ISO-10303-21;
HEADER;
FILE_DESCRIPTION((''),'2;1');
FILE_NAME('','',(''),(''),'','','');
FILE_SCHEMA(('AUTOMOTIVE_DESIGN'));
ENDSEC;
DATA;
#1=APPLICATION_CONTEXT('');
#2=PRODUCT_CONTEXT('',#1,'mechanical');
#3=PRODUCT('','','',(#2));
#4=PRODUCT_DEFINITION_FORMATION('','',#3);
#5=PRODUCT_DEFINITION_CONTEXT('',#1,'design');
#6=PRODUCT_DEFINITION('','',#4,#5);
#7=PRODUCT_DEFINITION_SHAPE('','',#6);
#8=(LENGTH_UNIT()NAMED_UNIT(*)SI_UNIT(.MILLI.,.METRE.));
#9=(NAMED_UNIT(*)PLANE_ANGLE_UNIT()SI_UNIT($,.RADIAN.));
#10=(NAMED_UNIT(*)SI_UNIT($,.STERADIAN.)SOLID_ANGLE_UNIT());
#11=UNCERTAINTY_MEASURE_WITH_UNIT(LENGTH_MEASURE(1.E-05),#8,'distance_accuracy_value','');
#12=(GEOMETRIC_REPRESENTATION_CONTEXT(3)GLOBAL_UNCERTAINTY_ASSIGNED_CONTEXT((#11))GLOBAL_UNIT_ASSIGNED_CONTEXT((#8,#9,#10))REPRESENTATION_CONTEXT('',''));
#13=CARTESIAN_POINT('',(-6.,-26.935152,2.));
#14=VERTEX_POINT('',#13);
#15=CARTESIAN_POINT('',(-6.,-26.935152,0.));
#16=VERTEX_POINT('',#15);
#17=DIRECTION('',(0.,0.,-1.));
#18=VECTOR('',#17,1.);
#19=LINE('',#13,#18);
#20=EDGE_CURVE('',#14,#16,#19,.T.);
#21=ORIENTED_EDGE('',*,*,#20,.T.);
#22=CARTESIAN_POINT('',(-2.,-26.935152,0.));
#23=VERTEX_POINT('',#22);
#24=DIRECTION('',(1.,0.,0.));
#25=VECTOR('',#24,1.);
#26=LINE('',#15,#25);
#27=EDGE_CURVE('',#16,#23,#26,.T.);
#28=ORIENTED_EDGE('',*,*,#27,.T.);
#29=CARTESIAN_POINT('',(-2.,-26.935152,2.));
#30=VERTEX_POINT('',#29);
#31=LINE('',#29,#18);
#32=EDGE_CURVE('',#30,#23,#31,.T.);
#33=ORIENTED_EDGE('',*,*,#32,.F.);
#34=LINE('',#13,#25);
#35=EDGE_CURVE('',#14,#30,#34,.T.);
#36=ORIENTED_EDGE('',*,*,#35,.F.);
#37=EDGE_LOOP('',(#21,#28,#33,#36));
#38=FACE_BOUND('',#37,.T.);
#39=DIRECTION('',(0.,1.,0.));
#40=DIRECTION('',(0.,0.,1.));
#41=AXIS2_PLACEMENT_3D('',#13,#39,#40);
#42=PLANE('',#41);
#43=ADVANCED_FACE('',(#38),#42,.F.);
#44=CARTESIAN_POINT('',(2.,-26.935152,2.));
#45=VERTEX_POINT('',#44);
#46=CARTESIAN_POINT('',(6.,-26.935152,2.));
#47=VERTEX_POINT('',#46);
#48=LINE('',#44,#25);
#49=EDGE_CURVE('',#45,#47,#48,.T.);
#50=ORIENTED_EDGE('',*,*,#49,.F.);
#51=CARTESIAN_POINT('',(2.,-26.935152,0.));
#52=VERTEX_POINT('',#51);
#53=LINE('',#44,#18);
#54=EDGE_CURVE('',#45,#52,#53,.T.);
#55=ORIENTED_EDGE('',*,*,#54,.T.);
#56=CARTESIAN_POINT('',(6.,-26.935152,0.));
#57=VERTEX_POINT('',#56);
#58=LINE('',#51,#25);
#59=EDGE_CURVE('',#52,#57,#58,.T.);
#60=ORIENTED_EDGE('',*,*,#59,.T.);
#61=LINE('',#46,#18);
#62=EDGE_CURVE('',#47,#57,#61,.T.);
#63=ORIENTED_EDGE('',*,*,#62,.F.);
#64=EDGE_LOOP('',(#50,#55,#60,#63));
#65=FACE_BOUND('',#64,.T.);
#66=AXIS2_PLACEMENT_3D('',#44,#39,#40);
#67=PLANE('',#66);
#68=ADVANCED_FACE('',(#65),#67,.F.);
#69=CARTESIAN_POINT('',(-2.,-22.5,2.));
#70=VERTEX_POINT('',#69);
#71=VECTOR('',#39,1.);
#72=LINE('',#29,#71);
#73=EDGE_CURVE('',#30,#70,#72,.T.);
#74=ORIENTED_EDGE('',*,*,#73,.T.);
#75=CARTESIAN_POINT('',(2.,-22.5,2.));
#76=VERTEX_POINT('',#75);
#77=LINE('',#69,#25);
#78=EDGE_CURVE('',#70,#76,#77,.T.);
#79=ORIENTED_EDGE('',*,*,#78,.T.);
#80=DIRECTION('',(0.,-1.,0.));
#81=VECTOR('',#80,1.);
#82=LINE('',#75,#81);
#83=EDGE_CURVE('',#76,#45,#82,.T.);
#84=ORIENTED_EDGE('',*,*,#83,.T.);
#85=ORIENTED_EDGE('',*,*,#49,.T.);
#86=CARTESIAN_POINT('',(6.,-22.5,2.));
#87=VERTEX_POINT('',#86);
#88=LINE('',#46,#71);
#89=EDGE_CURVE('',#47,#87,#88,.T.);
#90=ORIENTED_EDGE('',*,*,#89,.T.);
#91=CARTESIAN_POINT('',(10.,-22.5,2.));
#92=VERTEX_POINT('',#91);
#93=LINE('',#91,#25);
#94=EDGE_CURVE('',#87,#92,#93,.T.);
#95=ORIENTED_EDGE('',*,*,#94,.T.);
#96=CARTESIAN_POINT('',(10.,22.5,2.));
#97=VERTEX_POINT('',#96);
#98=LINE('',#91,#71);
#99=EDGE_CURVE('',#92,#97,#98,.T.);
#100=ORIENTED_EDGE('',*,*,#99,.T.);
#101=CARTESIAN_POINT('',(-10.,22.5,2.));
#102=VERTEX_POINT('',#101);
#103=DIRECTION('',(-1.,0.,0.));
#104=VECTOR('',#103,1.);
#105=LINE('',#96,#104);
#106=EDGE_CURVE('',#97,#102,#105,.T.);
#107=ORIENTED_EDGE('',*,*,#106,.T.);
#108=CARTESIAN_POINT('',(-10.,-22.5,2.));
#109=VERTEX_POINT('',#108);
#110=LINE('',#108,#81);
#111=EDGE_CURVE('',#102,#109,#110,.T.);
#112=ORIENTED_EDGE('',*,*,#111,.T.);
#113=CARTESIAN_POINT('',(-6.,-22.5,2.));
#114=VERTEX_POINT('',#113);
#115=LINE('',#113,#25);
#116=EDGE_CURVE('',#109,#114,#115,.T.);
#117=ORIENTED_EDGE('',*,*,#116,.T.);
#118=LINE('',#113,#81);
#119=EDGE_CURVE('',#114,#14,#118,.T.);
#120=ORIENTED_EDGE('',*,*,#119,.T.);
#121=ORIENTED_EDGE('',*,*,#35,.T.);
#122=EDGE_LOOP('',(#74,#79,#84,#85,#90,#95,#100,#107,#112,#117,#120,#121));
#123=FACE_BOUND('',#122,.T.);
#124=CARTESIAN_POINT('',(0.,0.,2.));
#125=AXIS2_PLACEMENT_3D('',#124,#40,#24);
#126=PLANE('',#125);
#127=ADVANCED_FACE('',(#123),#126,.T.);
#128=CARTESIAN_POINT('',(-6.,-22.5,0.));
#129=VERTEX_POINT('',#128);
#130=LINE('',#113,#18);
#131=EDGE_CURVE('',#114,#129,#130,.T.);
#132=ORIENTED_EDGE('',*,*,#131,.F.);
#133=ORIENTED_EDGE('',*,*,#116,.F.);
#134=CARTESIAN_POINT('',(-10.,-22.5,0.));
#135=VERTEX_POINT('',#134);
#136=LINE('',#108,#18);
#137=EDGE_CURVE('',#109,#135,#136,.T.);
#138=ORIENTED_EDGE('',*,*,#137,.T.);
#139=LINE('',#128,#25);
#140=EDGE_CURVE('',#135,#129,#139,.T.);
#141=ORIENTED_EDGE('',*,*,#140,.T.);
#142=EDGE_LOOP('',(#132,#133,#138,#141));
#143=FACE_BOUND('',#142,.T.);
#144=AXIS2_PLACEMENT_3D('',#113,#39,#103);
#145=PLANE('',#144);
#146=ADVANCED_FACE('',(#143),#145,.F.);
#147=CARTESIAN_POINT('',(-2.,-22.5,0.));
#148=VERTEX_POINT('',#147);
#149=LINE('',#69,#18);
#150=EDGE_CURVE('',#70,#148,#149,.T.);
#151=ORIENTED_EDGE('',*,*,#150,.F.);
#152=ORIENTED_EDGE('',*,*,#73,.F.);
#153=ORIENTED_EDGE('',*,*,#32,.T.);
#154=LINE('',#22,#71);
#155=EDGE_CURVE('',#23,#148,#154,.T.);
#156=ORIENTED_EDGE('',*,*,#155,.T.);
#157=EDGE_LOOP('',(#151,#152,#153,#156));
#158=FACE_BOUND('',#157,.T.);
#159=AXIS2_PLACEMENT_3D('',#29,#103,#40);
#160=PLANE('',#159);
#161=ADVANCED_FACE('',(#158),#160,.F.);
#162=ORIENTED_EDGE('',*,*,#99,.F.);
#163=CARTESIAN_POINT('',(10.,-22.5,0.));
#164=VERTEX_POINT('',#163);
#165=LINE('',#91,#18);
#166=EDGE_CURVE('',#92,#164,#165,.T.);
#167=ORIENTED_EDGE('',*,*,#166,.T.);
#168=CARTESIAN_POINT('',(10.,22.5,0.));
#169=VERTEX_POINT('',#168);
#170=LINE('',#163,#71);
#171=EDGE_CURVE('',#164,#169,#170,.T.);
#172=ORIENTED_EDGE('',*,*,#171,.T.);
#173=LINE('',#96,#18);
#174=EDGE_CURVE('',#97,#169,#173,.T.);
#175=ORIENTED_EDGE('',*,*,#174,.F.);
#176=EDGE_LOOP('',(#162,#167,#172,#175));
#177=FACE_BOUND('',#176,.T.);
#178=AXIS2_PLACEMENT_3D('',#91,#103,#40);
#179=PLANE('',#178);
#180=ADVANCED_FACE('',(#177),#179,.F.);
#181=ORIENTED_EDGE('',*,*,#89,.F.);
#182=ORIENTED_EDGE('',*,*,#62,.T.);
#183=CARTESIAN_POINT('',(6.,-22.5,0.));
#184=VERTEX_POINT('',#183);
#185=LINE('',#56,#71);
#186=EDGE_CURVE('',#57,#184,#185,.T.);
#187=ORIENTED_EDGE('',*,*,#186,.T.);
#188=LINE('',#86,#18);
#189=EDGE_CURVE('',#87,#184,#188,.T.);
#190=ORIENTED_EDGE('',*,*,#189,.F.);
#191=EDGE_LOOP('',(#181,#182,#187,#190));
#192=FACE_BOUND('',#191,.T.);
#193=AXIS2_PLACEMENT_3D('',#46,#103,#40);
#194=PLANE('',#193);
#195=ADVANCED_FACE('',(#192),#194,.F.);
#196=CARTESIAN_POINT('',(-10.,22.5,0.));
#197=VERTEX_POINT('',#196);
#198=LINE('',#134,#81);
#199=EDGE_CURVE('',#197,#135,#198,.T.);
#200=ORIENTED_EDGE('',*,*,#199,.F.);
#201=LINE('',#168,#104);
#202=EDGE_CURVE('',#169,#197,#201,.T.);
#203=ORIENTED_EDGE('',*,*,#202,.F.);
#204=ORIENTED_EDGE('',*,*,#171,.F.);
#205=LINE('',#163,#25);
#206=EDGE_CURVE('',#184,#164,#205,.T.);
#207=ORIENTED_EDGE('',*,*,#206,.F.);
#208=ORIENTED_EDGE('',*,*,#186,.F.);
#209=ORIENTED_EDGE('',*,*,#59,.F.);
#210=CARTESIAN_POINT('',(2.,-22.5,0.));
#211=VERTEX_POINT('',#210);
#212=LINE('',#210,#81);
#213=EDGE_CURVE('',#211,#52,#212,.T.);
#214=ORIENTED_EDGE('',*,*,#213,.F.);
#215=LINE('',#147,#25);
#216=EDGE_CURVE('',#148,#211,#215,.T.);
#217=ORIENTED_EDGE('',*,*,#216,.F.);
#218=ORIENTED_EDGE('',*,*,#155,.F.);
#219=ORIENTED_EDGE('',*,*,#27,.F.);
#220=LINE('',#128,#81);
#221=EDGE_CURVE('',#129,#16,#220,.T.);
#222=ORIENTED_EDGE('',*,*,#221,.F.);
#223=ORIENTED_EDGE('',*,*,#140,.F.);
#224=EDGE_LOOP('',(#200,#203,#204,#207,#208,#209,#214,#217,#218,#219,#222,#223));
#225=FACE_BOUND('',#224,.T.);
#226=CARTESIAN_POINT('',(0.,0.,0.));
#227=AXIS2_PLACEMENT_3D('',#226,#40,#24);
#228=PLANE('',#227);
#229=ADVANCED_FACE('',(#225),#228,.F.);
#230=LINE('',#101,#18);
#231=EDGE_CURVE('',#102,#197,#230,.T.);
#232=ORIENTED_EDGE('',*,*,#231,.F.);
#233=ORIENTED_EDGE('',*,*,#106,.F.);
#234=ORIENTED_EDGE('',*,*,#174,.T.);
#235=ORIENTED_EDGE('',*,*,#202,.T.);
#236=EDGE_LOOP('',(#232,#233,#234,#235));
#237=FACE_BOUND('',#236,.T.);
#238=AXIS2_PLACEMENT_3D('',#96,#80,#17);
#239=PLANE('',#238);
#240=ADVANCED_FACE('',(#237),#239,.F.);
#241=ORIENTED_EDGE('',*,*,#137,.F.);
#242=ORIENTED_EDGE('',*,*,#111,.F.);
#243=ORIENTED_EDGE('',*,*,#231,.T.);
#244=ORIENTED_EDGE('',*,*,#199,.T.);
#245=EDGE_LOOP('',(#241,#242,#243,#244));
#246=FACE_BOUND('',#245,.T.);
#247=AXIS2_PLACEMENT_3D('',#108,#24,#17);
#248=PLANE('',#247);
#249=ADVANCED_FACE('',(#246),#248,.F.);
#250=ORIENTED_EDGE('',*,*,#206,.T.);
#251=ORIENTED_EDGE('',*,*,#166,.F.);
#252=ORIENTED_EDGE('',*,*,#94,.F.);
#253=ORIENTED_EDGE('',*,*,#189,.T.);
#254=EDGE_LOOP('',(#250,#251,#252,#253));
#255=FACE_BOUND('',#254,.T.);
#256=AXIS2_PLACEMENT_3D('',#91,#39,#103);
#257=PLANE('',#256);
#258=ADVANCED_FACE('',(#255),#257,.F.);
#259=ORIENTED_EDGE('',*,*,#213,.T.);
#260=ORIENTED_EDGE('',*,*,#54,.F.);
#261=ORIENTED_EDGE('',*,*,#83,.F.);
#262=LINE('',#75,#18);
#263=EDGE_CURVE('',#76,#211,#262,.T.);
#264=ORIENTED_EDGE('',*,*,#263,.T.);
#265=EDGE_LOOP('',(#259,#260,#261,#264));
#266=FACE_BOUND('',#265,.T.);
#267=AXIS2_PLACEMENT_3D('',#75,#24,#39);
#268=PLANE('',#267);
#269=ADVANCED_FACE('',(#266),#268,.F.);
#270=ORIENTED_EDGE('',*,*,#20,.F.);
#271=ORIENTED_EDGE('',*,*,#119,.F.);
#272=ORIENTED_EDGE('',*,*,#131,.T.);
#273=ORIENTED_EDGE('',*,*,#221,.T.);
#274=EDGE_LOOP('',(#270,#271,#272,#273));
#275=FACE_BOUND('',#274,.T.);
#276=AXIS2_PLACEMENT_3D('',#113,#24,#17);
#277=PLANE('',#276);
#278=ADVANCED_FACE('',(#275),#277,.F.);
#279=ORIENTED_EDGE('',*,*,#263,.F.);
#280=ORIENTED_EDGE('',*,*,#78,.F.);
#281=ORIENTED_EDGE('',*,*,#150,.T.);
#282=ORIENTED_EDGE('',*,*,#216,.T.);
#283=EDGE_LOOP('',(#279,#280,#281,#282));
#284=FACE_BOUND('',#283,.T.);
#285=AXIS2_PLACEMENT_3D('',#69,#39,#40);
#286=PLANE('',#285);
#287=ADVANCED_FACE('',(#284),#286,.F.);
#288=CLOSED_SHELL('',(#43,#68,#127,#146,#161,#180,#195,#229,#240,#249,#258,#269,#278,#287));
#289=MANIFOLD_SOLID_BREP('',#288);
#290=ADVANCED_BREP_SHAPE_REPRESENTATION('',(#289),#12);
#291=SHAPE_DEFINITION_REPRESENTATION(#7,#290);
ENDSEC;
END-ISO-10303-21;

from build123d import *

# Parameters (mm, degrees)
EXTRUDE_1_DEPTH = 2


with BuildPart() as part:
    # Эскиз1 → Бобышка-Вытянуть1 (new body)
    with BuildSketch(Plane.XY):
        Polygon((10, -22.5), (6, -22.5), (6, -26.935152494), (2, -26.935152494), (2, -22.5), (-2, -22.5), (-2, -26.935152494), (-6, -26.935152494), (-6, -22.5), (-10, -22.5), (-10, 22.5), (10, 22.5), align=None)
    extrude(amount=EXTRUDE_1_DEPTH)


solid = part.part
